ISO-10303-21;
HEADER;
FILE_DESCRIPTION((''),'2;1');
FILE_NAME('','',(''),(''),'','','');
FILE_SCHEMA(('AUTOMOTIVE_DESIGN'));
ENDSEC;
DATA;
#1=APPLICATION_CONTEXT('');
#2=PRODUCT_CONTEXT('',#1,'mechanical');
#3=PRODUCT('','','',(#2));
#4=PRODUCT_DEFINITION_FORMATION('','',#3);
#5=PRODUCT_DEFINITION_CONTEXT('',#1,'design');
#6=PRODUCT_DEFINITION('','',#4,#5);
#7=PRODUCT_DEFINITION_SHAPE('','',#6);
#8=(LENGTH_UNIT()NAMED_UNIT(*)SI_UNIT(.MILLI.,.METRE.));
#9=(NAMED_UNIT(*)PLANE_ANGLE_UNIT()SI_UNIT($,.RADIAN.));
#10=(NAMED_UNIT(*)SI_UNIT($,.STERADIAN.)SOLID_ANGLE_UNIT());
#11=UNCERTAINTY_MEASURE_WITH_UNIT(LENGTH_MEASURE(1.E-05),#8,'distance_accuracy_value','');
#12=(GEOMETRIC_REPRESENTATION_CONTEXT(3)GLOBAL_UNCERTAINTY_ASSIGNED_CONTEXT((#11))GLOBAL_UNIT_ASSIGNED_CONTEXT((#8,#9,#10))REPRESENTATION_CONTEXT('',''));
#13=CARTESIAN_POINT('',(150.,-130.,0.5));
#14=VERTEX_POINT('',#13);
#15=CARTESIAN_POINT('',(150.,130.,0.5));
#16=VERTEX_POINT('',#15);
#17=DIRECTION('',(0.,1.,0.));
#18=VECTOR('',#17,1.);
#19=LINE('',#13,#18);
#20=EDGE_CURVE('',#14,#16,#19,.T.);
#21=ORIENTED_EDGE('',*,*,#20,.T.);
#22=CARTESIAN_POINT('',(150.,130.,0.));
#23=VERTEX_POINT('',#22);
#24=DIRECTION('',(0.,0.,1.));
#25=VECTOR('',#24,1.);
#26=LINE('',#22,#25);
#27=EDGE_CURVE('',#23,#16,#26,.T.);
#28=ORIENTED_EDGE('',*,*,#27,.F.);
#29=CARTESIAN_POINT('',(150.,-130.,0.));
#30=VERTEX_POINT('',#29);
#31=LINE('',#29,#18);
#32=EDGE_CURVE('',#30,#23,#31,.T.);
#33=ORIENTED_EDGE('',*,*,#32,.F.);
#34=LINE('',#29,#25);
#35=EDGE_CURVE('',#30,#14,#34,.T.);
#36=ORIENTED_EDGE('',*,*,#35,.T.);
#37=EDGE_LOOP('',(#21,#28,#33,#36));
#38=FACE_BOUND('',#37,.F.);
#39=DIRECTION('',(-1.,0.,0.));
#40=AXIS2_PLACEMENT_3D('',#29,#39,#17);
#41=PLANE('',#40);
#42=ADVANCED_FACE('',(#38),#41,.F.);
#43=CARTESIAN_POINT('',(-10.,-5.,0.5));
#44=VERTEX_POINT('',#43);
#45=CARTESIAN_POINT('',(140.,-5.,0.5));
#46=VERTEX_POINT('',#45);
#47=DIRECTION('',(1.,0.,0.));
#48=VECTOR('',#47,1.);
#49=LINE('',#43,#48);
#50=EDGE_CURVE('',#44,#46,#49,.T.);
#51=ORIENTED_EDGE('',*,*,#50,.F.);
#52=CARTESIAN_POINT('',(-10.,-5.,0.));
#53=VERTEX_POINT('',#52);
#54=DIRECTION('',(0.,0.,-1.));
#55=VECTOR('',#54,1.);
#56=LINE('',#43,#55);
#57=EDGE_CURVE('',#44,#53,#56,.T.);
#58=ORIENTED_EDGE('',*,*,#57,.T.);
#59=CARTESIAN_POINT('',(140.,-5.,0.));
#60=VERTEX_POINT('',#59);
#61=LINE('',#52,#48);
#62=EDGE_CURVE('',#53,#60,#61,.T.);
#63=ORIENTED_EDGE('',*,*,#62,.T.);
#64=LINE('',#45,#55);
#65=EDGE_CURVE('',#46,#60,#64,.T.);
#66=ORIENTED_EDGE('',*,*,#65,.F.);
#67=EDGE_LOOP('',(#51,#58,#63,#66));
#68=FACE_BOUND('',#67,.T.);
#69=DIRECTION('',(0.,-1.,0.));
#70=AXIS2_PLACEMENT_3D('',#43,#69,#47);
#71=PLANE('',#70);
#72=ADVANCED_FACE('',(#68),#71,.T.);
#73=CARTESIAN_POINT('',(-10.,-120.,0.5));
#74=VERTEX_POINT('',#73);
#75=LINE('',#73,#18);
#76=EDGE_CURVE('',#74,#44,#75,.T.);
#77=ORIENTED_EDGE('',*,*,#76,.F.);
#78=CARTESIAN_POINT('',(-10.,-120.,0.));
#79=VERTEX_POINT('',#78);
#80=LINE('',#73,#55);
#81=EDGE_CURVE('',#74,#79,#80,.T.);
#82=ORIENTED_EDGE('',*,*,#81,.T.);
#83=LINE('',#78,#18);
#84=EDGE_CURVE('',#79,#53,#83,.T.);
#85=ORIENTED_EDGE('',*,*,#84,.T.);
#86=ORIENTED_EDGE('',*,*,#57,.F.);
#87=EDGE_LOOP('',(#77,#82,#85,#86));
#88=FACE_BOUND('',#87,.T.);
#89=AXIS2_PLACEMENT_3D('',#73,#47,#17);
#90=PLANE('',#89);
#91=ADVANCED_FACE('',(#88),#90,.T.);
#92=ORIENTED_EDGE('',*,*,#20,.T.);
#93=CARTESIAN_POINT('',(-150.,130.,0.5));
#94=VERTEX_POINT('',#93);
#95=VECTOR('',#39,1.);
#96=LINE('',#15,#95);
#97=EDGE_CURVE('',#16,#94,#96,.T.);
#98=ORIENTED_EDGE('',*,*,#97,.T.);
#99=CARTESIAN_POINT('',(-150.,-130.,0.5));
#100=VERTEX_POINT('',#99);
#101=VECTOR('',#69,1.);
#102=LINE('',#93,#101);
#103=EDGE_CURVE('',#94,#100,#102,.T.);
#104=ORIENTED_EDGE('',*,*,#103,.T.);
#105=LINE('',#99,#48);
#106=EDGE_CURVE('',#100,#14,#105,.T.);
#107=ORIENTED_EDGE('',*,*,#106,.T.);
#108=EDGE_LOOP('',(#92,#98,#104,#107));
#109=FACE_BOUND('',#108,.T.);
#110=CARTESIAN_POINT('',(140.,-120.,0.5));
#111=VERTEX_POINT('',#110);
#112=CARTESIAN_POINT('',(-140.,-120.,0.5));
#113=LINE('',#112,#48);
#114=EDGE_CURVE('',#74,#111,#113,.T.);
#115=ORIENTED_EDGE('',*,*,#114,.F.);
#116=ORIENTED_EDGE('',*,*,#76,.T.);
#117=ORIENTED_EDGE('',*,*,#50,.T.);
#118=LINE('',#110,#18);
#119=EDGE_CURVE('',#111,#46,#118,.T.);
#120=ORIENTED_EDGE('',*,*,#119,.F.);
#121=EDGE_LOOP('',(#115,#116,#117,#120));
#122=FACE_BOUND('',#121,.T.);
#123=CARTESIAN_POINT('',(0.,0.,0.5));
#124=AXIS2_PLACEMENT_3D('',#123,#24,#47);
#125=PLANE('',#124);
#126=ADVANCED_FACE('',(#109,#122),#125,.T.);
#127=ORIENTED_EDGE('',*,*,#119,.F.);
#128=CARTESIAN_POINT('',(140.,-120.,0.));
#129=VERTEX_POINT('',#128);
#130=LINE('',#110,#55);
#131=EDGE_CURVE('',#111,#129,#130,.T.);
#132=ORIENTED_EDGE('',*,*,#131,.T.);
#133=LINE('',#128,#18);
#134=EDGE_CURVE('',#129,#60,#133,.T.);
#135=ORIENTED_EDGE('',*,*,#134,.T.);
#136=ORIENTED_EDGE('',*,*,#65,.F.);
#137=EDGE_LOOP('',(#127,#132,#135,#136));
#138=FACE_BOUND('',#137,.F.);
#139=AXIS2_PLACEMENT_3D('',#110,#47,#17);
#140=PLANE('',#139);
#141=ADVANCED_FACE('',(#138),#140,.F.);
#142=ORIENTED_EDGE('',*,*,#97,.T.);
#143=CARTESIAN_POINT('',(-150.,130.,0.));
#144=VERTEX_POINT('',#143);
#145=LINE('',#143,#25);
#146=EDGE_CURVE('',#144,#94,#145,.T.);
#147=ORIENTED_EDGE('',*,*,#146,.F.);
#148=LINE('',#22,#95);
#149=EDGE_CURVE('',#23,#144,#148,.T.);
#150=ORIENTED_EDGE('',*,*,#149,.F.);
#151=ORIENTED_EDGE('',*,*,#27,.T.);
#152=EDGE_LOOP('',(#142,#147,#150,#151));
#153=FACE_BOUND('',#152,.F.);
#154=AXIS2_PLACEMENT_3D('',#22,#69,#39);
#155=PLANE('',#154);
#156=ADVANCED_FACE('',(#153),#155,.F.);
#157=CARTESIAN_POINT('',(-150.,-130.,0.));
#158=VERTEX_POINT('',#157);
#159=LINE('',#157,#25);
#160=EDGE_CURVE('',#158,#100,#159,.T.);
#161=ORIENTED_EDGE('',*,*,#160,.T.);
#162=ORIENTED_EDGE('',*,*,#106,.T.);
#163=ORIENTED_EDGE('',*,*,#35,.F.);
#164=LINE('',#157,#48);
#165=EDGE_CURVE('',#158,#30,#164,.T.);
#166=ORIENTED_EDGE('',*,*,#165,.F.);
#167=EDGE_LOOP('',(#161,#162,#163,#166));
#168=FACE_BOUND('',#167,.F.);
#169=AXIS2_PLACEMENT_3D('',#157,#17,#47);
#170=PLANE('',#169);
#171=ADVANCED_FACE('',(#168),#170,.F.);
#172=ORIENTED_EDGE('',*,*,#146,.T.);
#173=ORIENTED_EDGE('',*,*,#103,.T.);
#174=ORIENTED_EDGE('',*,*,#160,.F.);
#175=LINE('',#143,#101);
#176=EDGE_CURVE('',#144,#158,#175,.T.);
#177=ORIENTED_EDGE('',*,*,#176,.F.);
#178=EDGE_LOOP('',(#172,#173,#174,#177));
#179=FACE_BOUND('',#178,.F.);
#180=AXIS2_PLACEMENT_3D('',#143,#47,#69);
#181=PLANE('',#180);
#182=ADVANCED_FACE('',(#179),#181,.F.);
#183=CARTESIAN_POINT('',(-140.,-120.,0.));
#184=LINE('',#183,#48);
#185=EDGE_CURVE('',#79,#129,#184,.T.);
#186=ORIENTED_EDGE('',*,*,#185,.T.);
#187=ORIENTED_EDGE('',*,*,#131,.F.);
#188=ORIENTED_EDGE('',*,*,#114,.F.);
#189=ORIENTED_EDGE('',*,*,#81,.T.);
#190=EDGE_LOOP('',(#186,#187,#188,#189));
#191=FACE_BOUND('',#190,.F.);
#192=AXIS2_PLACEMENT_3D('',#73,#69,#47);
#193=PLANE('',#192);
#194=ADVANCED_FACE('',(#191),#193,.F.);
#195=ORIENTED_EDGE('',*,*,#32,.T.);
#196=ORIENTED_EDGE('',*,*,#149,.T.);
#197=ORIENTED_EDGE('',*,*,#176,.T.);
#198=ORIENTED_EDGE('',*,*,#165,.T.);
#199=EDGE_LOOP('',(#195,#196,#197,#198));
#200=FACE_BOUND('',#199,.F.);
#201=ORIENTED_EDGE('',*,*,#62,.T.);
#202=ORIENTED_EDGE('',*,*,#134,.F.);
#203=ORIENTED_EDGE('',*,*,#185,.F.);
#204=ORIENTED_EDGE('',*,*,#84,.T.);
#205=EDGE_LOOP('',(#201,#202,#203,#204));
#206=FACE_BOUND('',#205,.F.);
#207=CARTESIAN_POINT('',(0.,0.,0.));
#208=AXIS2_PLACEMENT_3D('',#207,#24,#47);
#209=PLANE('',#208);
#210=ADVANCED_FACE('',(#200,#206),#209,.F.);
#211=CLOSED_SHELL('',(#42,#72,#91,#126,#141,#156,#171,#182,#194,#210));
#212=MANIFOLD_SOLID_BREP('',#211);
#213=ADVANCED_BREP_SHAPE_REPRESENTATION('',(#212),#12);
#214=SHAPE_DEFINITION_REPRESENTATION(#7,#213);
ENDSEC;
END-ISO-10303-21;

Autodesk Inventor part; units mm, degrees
ref_plane "YZ Plane" through (0, 0, 0) normal (1, 0, 0) x (0, 1, 0)
ref_plane "XZ Plane" through (0, 0, 0) normal (0, 1, 0) x (-1, 0, 0)
ref_plane "XY Plane" through (0, 0, 0) normal (0, 0, 1) x (1, 0, 0)
sketch "Sketch1" plane through (0, 0, 0) normal (0, 0, 1) x (1, 0, 0)
  line L0 (-150, -130) -> (150, -130)
  line L1 (150, -130) -> (150, 130)
  line L2 (150, 130) -> (-150, 130)
  line L3 (-150, 130) -> (-150, -130)
  line L4 (-150, -130) -> (150, 130) construction
  line L5 (150, -130) -> (-150, 130) construction
  point P0 (0, 0)
  dimension "d0" = 300
  dimension "d1" = 260
extrude "Plate1" add sketch "Sketch1" along normal blind 0.5
sketch "Sketch3" plane through (0, 0, 0.5) normal (0, 0, 1) x (1, 0, 0)
  line L0 (-140, -120) -> (140, -120)
  line L1 (140, -120) -> (140, 120)
  line L2 (140, 120) -> (-140, 120)
  line L3 (-140, 120) -> (-140, -120)
  line L4 (-140, -120) -> (140, 120) construction
  line L5 (140, -120) -> (-140, 120) construction
  line L6 (140, -120) -> (-10, -120)
  line L7 (-10, -120) -> (-10, -5)
  line L8 (-10, -5) -> (140, -5)
  line L9 (140, -5) -> (140, -120)
  point P0 (0, 0)
  dimension "d3" = 280
  dimension "d4" = 240
  dimension "d5" = 150
  dimension "d6" = 115
extrude "Cut1" cut sketch "Sketch3" against normal blind 0.5 contours L7 L8 L1 L0
sketch "Sketch4" plane through (0, 0, 0.5) normal (0, 0, 1) x (1, 0, 0)
  line L0 (-150, 130) -> (150, 130) projected
  point P0 (0, 0)
  dimension "d9" = 300
equation "\"d7\" = Thickness"
equation "\"BendRadius\" = Thickness"
equation "\"BendReliefWidth\" = Thickness"
equation "\"BendReliefDepth\" = 0.5 * Thickness"
equation "\"CornerReliefSize\" = 4 * Thickness"
equation "\"MinimumRemnant\" = 2 * Thickness"
equation "\"TransitionRadius\" = BendRadius"
equation "\"JacobiRadiusSize\" = BendRadius"
equation "\"GapSize\" = Thickness"
equation "\"d2\" = BendRadius"
equation "\"Thickness\" = 0.5"
properties part number "rightPanel"
